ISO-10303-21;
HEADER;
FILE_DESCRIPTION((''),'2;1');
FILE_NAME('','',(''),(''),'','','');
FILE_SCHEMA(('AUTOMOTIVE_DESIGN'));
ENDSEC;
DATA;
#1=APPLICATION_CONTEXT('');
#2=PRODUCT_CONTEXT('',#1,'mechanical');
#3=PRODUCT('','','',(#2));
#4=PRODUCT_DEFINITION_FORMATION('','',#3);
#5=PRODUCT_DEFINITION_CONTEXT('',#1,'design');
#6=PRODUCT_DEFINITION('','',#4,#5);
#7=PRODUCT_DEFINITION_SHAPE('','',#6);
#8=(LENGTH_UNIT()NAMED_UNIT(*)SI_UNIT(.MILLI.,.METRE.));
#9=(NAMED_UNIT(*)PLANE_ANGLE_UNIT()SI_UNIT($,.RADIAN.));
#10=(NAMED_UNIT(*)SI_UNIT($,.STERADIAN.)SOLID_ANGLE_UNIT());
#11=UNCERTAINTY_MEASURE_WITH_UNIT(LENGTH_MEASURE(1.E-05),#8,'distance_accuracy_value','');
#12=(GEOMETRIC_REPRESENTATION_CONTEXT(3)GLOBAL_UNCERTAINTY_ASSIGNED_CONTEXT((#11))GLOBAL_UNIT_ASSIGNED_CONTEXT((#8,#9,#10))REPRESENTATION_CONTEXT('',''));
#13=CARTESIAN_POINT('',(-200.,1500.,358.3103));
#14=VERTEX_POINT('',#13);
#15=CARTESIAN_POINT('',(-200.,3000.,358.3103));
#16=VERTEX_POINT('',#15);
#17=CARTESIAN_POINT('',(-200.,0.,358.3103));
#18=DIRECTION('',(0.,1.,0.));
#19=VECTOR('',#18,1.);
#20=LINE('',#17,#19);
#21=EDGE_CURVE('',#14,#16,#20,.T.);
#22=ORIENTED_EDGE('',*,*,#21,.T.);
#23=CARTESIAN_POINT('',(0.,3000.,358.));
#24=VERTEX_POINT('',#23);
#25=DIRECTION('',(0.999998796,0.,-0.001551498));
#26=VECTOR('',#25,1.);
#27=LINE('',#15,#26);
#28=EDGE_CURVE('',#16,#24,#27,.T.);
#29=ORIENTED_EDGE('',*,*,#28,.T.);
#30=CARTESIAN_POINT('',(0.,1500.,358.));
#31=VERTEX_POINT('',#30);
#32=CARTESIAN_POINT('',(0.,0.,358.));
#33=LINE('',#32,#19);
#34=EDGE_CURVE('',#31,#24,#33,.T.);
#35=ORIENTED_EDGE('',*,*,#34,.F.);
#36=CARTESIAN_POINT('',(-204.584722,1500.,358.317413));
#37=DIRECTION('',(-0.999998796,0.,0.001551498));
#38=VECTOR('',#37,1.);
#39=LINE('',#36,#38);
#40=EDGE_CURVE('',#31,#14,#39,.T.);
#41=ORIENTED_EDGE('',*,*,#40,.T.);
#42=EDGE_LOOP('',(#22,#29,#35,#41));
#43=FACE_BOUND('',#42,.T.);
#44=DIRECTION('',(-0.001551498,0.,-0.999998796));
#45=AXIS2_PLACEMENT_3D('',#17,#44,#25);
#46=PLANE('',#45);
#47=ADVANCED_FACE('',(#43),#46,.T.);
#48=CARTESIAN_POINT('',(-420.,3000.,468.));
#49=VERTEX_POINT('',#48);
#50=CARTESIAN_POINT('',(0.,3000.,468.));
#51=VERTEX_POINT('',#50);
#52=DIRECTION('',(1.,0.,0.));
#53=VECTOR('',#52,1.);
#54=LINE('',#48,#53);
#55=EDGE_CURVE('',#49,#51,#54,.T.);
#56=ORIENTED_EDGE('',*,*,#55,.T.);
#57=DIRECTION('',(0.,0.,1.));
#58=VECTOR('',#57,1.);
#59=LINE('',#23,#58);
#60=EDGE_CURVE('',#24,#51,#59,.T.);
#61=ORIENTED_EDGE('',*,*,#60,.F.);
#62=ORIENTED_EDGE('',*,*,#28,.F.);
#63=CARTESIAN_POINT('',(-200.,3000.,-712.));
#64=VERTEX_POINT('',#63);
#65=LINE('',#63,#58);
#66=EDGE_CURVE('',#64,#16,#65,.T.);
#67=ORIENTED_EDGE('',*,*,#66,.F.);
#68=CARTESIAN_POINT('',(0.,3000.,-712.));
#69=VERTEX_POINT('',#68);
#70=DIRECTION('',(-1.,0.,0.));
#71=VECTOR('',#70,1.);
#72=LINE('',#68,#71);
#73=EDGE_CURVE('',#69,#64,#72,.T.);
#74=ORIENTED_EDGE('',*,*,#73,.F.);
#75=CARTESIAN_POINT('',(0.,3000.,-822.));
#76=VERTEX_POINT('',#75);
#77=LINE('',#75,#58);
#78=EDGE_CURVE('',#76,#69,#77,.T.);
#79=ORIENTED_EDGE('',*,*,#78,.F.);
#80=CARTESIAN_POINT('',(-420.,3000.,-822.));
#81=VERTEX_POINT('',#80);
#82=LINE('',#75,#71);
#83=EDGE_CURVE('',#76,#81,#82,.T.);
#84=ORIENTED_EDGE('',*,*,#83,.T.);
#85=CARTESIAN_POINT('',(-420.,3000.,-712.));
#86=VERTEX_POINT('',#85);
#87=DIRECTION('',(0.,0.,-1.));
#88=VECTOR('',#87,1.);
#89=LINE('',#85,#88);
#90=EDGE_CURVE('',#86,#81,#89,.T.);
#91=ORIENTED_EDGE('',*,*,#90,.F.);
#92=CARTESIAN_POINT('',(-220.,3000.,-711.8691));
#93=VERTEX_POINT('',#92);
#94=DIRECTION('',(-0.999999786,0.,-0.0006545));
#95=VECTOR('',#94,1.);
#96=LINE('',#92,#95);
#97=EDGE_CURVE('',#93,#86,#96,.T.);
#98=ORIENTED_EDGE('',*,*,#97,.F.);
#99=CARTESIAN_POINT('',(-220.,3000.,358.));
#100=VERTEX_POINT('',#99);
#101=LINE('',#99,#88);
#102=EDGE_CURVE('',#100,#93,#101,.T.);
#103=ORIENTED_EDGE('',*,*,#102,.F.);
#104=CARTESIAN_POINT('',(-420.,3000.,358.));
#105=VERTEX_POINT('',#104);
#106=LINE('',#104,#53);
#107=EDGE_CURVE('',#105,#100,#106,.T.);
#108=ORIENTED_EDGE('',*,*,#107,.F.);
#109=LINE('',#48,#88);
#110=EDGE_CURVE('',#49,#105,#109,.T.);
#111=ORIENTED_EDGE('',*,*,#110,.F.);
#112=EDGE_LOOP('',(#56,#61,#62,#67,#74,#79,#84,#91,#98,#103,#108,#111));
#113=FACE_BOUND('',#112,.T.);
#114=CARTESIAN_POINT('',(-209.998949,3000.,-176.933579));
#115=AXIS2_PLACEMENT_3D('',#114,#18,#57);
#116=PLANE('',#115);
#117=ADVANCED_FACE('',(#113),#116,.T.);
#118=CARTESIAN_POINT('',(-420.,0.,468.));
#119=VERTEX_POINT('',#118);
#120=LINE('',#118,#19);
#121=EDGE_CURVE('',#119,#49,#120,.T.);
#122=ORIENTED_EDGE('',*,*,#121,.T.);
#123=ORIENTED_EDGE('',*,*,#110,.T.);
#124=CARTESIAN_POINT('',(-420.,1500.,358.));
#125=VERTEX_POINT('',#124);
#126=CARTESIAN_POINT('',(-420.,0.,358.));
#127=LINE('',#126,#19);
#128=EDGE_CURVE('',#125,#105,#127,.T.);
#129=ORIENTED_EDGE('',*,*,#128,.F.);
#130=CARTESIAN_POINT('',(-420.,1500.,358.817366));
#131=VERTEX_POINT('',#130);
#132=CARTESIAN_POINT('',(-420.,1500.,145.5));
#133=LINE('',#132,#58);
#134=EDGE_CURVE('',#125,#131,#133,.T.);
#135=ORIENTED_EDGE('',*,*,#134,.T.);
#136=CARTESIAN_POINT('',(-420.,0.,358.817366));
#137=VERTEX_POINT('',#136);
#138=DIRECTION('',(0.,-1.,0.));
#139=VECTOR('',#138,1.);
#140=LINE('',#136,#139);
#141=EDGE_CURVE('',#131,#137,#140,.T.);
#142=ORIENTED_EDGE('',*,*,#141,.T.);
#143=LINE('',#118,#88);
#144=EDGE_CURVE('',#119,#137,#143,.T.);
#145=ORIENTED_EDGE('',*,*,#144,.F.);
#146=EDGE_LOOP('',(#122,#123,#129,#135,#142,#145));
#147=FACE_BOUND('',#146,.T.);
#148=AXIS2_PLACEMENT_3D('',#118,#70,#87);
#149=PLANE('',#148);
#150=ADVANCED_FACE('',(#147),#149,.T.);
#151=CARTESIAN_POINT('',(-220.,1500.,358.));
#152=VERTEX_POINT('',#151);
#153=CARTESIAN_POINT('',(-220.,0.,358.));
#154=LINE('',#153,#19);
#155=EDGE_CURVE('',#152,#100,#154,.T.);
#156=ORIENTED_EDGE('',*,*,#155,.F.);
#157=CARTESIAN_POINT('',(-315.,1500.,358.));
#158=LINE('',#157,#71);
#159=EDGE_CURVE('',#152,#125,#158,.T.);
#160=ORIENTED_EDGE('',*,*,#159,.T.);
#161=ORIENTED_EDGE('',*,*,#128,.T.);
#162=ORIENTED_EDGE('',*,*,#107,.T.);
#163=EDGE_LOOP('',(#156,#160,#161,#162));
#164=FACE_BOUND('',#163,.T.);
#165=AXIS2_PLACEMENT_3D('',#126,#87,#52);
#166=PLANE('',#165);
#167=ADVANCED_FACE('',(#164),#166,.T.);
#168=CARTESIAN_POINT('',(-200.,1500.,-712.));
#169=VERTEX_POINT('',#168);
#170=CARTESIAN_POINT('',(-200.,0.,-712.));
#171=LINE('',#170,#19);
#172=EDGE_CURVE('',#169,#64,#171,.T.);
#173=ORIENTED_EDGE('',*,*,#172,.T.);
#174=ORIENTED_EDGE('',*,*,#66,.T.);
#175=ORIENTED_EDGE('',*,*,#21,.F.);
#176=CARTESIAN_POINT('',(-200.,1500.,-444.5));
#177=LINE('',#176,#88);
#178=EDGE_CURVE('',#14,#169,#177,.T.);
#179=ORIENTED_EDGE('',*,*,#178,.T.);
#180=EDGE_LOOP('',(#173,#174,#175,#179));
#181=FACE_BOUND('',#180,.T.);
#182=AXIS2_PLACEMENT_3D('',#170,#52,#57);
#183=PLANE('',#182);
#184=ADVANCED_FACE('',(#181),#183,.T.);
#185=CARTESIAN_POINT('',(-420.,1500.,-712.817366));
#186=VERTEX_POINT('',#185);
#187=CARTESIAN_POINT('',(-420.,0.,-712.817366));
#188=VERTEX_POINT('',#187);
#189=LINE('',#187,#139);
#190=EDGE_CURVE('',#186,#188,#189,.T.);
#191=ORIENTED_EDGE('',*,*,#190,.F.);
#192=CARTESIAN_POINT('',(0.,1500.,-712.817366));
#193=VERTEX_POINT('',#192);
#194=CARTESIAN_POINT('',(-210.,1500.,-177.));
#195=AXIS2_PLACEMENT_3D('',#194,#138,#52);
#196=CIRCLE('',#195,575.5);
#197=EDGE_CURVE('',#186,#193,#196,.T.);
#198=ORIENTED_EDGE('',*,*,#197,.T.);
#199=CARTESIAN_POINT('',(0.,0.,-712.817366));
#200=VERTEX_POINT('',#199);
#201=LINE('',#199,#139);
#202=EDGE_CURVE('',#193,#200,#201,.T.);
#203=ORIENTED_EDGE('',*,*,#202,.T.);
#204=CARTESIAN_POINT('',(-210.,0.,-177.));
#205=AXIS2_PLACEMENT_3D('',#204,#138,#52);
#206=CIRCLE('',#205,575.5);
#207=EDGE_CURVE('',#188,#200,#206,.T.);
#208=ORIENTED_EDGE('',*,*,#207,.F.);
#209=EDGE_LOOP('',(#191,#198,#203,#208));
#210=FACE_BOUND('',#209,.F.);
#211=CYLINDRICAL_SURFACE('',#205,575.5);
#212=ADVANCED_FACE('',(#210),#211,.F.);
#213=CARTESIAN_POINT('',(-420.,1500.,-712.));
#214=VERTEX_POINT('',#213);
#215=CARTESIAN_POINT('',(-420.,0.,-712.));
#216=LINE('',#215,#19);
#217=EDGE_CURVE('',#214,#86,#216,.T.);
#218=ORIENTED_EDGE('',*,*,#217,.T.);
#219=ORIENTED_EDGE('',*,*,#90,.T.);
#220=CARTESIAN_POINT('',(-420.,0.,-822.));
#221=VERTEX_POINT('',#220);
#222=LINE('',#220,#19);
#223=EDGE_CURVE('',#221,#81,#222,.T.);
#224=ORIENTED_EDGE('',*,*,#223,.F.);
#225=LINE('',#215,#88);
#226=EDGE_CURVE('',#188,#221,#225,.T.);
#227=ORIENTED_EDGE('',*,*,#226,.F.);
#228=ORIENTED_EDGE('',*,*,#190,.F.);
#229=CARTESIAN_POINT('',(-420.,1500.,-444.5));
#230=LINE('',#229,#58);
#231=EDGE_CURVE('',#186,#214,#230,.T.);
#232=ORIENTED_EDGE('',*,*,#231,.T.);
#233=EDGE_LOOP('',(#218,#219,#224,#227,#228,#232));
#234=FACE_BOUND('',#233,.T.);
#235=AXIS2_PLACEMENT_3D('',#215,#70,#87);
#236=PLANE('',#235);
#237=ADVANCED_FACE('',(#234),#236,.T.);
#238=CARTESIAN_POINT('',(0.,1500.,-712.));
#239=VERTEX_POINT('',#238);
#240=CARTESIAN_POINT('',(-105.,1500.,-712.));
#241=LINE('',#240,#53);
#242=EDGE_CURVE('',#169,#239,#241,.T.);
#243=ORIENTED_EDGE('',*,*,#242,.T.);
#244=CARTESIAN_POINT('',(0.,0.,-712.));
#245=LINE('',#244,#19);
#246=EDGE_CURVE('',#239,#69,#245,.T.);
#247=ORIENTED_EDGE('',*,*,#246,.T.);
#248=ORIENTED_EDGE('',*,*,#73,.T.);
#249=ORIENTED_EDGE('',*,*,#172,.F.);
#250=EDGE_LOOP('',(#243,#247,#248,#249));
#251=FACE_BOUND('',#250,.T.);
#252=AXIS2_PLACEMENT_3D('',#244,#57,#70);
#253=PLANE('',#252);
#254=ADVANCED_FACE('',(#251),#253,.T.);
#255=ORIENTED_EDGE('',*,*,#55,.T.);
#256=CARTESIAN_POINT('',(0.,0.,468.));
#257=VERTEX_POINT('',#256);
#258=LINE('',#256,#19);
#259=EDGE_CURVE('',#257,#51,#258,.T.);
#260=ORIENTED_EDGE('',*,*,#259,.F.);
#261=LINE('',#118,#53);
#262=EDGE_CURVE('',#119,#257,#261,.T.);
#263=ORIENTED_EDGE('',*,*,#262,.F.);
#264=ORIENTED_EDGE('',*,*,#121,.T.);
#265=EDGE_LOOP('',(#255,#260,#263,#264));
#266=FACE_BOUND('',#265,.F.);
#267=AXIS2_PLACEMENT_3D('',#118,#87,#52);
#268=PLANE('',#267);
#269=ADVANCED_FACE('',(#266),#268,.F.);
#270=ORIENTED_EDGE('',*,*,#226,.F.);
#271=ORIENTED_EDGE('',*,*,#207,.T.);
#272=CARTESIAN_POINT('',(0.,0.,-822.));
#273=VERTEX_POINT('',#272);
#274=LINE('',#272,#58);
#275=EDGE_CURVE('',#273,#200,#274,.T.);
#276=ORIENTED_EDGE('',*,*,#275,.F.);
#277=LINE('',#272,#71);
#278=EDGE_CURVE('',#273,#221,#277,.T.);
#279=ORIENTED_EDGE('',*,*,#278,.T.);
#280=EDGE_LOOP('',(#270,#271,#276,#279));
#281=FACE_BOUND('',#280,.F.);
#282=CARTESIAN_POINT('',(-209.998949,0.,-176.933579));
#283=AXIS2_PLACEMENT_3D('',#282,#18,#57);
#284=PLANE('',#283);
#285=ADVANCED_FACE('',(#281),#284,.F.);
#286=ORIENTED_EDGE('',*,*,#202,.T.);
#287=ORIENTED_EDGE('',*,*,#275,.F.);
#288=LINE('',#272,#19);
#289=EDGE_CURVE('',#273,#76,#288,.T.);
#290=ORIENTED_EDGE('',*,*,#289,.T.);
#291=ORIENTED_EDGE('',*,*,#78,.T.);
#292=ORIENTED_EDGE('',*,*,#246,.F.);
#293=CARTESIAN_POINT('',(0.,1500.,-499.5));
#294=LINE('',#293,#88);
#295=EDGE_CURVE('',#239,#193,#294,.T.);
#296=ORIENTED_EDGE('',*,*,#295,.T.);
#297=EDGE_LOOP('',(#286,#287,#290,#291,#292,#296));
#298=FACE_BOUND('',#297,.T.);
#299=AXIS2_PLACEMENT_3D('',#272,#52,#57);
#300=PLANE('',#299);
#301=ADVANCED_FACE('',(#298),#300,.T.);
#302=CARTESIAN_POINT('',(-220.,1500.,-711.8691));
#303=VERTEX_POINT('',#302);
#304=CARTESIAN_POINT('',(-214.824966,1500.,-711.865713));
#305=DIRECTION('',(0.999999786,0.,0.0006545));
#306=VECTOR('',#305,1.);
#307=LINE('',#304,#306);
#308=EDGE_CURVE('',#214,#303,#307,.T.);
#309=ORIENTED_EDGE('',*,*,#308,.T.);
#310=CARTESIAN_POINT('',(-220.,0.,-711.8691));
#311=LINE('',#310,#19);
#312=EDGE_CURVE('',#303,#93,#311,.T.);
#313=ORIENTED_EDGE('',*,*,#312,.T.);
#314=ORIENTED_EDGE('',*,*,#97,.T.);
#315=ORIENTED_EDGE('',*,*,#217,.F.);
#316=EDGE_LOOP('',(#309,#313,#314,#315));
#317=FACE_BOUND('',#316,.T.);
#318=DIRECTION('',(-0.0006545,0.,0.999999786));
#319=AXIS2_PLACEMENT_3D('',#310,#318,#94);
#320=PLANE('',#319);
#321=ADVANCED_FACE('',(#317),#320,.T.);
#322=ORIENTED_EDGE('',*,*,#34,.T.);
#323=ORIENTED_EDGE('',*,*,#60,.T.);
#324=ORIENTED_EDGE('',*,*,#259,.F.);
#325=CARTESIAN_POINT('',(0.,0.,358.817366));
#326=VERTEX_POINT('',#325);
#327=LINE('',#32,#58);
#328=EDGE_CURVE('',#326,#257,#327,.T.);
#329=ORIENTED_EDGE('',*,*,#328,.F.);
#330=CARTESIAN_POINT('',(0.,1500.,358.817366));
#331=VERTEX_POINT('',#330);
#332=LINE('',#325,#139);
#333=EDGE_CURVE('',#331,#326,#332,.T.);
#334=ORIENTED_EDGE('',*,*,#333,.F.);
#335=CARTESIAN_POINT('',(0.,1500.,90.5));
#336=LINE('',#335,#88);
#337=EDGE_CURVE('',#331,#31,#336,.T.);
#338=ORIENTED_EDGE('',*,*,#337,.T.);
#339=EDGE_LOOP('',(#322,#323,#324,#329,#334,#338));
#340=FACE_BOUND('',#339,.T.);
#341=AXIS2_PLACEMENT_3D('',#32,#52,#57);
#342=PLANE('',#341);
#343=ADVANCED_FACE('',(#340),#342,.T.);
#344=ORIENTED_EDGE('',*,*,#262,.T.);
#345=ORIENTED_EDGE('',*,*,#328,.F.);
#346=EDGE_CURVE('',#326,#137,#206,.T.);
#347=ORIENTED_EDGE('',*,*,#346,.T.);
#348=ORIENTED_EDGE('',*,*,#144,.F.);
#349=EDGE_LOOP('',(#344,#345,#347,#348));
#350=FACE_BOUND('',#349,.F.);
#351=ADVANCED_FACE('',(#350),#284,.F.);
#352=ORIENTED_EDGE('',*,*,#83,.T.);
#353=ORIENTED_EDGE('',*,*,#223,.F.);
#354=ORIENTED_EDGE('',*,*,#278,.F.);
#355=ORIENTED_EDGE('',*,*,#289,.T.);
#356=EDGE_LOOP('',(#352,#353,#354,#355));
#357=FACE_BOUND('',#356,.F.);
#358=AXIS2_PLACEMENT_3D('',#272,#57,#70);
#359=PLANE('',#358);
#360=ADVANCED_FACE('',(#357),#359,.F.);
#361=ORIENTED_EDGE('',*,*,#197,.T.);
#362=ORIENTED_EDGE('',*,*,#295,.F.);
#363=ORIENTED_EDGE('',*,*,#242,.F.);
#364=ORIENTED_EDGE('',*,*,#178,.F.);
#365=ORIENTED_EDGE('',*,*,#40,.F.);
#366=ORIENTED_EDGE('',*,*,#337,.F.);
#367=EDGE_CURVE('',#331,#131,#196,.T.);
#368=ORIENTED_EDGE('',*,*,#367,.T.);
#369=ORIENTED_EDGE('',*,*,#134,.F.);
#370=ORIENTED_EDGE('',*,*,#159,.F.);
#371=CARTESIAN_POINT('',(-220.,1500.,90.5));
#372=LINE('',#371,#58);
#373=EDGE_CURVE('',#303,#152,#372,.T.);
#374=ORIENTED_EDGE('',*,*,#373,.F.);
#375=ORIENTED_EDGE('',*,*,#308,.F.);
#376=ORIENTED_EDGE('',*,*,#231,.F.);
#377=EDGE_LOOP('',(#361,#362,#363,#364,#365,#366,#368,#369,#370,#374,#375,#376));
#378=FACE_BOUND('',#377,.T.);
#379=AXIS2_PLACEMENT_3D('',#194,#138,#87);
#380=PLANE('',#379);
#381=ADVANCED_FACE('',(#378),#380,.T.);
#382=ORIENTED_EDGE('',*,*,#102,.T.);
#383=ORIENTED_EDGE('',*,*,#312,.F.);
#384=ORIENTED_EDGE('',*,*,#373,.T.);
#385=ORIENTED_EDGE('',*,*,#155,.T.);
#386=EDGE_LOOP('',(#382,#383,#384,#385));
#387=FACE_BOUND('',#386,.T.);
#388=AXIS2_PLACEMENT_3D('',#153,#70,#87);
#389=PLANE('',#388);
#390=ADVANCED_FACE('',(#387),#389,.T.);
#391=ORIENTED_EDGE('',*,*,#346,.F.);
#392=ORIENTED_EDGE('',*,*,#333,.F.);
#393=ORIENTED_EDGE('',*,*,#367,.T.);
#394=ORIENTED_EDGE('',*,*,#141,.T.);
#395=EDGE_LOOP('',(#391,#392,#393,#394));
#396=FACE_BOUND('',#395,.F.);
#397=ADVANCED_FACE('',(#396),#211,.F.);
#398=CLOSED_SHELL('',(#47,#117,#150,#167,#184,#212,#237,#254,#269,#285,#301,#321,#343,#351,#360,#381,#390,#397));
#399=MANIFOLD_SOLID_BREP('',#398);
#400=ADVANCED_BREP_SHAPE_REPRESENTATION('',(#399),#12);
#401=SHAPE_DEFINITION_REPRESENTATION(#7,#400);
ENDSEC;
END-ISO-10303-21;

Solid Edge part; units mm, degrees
extrude "Protrusion1" [suppressed]
sketch "Sketch1" plane through (0, 0, 0) normal (0, -1, 0) x (1, 0, 0)
  line L0 (0, -822) -> (-420, -822)
  line L1 (-420, -712) -> (-420, -822)
  line L2 (-220, -711.8691) -> (-420, -712)
  line L3 (-220, 358) -> (-220, -711.8691)
  line L4 (-420, 358) -> (-220, 358)
  line L5 (-420, 468) -> (-420, 358)
  line L6 (-420, 468) -> (0, 468)
  line L7 (0, 358) -> (0, 468)
  line L8 (-200, 358.3103) -> (0, 358)
  line L9 (-200, -712) -> (-200, 358.3103)
  line L10 (0, -712) -> (-200, -712)
  line L11 (0, -822) -> (0, -712)
extrude "ProtrusiónExtruida_5" add sketch "Sketch1" against normal blind 3000
sketch "Sketch2" plane through (-210, 0, -177) normal (0, -1, 0) x (1, 0, 0)
  circle A0 centre (0, 0) radius 575.5
extrude "VaciadoExtruido_3" cut sketch "Sketch2" against normal blind 1500
